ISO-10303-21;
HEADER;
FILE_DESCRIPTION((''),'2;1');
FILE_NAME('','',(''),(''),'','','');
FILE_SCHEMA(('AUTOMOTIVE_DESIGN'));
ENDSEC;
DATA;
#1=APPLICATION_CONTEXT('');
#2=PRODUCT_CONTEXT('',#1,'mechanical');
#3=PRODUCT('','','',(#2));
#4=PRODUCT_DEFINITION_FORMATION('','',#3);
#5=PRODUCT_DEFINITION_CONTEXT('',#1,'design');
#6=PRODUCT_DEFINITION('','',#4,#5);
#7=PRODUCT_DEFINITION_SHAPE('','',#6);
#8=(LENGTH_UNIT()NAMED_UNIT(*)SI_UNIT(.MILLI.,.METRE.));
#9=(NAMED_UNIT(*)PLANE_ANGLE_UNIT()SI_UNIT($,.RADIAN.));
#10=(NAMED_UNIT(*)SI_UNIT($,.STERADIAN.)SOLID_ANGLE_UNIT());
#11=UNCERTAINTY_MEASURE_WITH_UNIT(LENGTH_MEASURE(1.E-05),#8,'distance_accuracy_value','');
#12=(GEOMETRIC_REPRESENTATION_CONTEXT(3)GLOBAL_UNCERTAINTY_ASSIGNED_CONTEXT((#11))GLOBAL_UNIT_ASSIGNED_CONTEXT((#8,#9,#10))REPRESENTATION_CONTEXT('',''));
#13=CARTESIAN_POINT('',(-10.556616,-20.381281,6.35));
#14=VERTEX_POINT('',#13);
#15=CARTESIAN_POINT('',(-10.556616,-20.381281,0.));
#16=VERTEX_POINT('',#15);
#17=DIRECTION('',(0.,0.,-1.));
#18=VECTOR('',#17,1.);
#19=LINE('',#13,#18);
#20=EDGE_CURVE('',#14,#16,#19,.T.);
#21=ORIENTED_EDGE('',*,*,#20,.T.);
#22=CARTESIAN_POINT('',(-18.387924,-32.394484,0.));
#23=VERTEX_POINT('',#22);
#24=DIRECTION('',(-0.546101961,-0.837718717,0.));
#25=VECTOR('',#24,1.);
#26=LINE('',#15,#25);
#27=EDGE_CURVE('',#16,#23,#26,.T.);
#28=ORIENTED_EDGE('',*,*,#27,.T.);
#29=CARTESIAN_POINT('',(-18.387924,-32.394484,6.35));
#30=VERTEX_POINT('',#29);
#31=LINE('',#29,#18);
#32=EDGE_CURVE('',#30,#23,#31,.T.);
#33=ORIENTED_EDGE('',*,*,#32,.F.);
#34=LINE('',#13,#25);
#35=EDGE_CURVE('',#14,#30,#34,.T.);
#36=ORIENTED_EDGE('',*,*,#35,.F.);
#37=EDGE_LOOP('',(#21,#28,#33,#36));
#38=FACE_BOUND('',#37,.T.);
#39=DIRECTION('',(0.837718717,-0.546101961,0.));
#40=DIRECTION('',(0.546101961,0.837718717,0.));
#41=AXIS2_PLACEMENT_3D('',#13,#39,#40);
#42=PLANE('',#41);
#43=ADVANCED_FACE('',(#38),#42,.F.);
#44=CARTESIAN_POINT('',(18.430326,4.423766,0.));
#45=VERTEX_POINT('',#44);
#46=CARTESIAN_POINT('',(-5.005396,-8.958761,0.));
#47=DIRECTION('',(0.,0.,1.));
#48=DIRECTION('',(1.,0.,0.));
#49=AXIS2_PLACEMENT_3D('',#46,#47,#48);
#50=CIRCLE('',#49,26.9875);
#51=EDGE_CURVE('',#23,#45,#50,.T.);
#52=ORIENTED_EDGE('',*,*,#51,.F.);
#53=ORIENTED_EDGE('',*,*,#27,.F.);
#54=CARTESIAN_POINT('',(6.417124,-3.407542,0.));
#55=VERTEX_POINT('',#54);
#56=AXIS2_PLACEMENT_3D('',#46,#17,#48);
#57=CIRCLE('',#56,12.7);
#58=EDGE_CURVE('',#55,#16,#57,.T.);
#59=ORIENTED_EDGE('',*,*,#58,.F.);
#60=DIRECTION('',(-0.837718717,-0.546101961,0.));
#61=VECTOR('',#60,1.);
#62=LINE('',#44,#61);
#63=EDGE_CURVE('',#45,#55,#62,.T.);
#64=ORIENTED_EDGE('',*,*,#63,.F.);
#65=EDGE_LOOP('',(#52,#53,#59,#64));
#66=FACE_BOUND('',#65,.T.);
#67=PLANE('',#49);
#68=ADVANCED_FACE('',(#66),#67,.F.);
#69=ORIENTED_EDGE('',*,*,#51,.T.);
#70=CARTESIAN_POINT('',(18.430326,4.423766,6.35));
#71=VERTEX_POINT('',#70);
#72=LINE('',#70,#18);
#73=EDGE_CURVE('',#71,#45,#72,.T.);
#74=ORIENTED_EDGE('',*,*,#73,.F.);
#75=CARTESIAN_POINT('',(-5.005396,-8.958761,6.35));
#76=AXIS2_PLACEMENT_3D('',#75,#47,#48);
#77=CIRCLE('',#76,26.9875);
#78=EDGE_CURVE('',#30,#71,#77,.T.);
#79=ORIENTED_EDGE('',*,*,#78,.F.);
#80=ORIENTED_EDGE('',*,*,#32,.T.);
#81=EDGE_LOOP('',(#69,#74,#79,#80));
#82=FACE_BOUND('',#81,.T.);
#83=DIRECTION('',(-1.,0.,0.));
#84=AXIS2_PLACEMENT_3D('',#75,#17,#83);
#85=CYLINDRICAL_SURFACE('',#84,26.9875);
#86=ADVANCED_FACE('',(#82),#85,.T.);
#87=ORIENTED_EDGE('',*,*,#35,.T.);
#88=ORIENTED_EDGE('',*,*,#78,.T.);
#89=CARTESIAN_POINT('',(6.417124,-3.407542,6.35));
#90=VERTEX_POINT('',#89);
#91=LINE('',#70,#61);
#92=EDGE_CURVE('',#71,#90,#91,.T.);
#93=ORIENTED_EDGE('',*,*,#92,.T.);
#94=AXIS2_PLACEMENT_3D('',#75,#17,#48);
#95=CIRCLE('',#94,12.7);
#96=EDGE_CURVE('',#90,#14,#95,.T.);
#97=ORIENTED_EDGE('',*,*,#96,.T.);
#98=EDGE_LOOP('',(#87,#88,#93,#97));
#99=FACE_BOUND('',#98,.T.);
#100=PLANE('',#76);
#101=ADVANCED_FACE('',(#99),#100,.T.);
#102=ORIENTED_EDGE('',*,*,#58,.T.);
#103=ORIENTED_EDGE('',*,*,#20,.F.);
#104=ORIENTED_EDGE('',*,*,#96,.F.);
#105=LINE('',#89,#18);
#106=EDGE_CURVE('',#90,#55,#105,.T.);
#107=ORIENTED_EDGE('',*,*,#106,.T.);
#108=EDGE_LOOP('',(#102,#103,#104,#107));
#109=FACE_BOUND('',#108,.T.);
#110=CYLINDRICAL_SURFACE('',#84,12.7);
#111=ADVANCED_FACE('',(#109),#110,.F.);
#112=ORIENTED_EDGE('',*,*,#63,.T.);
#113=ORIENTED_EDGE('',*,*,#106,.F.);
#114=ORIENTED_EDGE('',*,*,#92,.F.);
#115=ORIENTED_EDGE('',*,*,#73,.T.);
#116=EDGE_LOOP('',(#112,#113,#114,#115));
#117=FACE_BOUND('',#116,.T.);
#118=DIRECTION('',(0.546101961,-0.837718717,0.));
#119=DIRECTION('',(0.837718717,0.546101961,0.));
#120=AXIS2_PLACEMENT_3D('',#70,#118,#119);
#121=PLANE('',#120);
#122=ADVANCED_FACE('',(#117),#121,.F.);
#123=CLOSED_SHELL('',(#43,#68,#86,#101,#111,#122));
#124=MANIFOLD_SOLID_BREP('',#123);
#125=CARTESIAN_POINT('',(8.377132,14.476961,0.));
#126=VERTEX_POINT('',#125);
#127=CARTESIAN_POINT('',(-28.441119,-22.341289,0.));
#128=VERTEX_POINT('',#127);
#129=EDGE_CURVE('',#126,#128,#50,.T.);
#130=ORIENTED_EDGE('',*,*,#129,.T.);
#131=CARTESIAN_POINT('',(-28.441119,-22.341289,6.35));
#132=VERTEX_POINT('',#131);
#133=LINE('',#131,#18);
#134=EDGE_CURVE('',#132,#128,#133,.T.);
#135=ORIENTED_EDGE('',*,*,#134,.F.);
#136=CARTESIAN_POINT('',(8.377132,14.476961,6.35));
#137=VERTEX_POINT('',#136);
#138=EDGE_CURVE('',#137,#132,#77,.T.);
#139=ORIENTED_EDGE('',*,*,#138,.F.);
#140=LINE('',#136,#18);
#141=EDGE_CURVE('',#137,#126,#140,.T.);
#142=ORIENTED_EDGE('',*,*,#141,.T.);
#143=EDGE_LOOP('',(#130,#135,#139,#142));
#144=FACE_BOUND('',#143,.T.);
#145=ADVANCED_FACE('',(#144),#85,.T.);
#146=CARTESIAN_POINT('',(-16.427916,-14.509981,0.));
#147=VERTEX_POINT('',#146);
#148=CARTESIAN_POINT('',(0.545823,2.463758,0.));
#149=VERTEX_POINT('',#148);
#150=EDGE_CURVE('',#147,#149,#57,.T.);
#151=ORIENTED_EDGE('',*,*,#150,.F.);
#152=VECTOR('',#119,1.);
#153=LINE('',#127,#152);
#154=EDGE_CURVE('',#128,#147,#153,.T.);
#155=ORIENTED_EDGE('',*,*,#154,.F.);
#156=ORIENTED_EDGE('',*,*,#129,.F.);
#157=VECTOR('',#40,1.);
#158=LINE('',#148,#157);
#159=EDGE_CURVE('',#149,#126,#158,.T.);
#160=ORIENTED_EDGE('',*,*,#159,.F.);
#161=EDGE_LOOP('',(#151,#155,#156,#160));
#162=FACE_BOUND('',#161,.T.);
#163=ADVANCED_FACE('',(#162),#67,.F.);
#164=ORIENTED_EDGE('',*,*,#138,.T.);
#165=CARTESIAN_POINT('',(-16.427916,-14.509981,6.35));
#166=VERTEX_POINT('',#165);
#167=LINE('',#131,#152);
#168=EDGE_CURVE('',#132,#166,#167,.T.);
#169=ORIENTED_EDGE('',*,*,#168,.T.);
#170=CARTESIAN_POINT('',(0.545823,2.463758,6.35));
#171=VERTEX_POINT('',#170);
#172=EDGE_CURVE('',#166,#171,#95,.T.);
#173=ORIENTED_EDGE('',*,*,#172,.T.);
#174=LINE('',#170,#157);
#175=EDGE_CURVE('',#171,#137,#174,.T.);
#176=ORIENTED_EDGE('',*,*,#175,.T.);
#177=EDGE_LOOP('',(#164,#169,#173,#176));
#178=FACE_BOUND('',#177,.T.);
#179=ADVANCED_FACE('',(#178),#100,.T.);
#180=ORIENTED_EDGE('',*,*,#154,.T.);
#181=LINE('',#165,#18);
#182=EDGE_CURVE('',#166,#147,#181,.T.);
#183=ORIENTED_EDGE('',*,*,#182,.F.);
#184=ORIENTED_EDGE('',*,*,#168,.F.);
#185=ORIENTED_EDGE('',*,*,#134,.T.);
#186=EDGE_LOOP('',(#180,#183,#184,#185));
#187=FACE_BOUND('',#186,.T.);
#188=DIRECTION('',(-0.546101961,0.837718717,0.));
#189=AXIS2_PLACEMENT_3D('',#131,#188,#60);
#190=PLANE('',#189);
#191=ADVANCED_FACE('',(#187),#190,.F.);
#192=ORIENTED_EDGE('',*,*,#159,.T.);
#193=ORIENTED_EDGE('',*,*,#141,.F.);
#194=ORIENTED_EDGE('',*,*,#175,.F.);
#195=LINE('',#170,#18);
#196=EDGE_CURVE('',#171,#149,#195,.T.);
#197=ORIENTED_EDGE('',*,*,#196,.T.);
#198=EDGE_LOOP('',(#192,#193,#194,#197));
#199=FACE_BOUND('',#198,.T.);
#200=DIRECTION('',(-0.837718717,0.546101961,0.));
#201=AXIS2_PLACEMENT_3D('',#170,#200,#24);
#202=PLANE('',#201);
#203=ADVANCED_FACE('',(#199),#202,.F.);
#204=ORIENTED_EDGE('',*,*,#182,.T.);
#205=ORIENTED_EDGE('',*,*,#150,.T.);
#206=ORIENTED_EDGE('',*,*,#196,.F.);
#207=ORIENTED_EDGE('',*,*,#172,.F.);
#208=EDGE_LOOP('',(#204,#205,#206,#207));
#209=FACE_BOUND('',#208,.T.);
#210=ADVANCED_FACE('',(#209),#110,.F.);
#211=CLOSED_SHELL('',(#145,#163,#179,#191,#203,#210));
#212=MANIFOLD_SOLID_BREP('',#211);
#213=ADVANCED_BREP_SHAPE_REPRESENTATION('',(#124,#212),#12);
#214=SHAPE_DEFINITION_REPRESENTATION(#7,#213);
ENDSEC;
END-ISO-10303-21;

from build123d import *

# Parameters (mm, degrees)
BOSS_EXTRUDE2_DEPTH   = 6.35
BOSS_EXTRUDE2_2_DEPTH = 6.35


with BuildPart() as part:
    # Sketch2 → Boss-Extrude2 (new body)
    with BuildSketch(Plane.XY):
        with BuildLine():
            Line((-10.55661598, -20.381281409), (-18.387924388, -32.394484249))
            ThreePointArc((-18.387924388, -32.394484249), (14.077647841, -28.041805745), (18.430326345, 4.423766484))
            Line((18.430326345, 4.423766484), (6.417123505, -3.407541924))
            ThreePointArc((6.417123505, -3.407541924), (3.974859705, -17.939017609), (-10.55661598, -20.381281409))
        make_face()
    extrude(amount=BOSS_EXTRUDE2_DEPTH)


with BuildPart() as body_2:
    # Sketch2 → Boss-Extrude2 2 (new body)
    with BuildSketch(Plane.XY):
        with BuildLine():
            Line((-28.441119177, -22.341289459), (-16.427916338, -14.509981051))
            ThreePointArc((-16.427916338, -14.509981051), (-13.985652537, 0.021494634), (0.545823148, 2.463758434))
            Line((0.545823148, 2.463758434), (8.377131555, 14.476961274))
            ThreePointArc((8.377131555, 14.476961274), (-24.088440674, 10.12428277), (-28.441119177, -22.341289459))
        make_face()
    extrude(amount=BOSS_EXTRUDE2_2_DEPTH)


solid = Compound([part.part, body_2.part])
